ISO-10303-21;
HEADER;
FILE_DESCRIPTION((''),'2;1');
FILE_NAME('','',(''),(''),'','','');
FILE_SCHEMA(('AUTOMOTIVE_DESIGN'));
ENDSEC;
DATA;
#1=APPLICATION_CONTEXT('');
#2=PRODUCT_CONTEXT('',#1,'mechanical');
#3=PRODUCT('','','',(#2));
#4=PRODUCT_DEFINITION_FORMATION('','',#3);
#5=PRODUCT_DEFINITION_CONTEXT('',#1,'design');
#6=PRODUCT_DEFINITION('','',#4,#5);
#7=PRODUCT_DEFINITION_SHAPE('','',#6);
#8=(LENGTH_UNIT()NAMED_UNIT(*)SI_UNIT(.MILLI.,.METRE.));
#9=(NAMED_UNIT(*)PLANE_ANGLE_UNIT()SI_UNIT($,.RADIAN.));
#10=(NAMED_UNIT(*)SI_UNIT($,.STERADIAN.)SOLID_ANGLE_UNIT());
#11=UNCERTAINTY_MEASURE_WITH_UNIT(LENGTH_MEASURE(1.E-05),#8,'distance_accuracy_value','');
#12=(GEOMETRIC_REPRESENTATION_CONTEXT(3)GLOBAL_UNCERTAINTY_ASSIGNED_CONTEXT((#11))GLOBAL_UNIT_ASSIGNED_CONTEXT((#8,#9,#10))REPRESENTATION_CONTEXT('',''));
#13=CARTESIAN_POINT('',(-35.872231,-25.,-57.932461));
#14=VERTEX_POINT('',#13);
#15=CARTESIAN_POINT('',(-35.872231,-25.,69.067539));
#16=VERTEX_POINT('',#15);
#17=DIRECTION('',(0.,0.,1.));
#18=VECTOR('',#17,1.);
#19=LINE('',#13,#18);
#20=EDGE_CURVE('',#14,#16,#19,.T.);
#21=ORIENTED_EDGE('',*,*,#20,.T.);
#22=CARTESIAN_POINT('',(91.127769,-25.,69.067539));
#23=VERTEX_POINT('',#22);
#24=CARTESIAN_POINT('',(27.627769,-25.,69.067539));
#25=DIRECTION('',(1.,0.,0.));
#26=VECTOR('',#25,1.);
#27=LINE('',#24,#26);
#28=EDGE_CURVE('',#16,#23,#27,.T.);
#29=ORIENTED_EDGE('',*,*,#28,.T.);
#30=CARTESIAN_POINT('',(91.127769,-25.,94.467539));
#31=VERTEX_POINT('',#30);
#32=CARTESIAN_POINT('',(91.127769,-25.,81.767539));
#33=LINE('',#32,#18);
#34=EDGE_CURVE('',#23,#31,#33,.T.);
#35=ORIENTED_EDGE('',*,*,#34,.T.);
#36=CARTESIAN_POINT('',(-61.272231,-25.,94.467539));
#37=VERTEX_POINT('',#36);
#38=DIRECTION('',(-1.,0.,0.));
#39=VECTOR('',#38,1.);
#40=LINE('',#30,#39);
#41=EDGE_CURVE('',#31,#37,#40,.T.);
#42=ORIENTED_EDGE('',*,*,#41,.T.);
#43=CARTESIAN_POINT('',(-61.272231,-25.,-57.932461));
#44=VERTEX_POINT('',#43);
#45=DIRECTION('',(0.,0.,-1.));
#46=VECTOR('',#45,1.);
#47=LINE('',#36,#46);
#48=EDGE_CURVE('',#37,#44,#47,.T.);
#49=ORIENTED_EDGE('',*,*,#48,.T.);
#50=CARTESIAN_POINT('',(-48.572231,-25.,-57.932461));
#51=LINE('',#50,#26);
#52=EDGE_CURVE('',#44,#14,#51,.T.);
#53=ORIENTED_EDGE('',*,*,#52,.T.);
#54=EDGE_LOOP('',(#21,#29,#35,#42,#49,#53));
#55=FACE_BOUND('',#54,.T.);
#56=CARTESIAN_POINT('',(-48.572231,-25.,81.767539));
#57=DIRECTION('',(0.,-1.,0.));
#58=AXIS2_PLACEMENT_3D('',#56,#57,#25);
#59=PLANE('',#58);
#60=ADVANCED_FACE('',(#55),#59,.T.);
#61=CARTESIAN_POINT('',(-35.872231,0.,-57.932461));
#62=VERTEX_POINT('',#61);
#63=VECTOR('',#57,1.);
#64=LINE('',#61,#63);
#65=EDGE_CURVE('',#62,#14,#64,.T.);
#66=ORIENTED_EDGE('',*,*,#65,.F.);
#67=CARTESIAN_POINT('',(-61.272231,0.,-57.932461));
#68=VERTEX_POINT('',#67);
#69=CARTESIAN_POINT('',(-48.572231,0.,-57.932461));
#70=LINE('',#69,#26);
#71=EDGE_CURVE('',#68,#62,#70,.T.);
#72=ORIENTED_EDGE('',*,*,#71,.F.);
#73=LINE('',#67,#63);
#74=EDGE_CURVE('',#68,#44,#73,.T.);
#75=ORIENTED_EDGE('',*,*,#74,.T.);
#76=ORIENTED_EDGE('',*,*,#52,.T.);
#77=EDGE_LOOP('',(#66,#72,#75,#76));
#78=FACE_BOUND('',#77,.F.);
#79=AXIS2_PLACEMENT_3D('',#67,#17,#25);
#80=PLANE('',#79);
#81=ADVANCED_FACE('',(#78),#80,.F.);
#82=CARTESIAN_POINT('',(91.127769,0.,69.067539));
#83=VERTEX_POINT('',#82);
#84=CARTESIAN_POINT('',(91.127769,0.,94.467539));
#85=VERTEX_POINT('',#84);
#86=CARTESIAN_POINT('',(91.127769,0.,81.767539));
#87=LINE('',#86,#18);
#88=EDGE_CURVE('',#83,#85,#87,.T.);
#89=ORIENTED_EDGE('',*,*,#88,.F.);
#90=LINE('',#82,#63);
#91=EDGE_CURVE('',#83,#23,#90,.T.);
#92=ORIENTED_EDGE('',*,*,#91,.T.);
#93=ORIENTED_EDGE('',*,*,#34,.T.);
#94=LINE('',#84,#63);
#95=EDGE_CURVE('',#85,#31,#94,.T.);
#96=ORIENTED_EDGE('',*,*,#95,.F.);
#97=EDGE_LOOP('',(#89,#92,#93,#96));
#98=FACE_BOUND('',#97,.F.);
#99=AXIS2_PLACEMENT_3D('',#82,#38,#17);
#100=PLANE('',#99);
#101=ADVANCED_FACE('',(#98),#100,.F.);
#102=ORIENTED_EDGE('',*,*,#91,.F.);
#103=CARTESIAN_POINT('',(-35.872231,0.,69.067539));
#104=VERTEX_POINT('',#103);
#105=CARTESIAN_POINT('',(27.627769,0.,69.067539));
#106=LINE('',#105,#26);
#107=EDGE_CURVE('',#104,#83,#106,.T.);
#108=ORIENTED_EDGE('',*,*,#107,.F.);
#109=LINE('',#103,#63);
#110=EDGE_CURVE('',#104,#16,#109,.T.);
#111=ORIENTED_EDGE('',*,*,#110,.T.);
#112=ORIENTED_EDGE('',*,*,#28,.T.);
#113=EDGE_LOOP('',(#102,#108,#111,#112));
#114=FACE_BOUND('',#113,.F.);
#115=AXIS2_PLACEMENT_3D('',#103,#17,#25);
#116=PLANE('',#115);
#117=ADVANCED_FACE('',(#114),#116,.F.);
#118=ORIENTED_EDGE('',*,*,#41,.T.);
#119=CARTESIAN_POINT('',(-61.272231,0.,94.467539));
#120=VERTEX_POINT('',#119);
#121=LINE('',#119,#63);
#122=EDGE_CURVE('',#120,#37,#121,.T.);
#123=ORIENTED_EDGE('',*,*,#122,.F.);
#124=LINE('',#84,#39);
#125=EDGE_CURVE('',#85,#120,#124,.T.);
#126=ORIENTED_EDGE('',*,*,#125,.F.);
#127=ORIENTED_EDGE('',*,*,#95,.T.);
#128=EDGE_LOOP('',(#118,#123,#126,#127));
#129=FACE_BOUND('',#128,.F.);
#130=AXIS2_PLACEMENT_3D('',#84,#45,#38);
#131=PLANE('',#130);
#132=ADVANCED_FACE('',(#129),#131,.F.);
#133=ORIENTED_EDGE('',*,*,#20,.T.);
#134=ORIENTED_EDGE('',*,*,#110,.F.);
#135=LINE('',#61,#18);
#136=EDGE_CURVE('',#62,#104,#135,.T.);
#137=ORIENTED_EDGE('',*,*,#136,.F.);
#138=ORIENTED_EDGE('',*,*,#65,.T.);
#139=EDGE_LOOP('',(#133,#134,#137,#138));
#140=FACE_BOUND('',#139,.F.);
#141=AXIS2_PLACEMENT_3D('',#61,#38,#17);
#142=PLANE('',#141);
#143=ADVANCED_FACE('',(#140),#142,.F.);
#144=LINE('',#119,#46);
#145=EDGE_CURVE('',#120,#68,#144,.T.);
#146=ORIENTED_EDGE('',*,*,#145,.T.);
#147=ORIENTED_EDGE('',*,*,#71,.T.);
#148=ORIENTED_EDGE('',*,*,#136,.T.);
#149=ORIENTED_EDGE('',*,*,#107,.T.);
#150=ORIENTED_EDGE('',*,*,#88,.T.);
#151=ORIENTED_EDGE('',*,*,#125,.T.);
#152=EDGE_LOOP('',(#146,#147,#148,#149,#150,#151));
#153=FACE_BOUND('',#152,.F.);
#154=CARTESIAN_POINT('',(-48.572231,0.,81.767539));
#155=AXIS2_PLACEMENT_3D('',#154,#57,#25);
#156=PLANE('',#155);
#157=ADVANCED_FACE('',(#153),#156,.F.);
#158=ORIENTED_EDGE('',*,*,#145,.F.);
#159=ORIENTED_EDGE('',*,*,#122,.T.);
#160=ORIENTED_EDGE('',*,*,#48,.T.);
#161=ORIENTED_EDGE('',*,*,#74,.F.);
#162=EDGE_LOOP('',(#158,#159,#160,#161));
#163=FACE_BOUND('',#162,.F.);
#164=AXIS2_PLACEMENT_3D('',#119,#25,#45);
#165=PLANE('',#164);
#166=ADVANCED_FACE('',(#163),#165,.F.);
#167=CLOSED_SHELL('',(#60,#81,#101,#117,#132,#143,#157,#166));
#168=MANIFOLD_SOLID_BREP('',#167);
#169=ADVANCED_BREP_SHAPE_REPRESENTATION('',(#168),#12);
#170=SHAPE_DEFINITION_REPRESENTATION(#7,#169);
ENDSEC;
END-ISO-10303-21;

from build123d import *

# Parameters (mm, degrees)
F0_W     = 25.4
F0_H     = 25.4
F0_H_2   = 127
F0_W_2   = 127
F1_DEPTH = 25


with BuildPart() as f1:
    # F0 (on Front) → F1 (new body)
    with BuildSketch(Plane.XZ):
        with Locations((-48.572231, 81.767539)):
            Rectangle(F0_W, F0_H)
        with Locations((-48.572231, 5.567539)):
            Rectangle(F0_W, F0_H_2)
        with Locations((27.627769, 81.767539)):
            Rectangle(F0_W_2, F0_H)
    extrude(amount=F1_DEPTH)


solid = f1.part
